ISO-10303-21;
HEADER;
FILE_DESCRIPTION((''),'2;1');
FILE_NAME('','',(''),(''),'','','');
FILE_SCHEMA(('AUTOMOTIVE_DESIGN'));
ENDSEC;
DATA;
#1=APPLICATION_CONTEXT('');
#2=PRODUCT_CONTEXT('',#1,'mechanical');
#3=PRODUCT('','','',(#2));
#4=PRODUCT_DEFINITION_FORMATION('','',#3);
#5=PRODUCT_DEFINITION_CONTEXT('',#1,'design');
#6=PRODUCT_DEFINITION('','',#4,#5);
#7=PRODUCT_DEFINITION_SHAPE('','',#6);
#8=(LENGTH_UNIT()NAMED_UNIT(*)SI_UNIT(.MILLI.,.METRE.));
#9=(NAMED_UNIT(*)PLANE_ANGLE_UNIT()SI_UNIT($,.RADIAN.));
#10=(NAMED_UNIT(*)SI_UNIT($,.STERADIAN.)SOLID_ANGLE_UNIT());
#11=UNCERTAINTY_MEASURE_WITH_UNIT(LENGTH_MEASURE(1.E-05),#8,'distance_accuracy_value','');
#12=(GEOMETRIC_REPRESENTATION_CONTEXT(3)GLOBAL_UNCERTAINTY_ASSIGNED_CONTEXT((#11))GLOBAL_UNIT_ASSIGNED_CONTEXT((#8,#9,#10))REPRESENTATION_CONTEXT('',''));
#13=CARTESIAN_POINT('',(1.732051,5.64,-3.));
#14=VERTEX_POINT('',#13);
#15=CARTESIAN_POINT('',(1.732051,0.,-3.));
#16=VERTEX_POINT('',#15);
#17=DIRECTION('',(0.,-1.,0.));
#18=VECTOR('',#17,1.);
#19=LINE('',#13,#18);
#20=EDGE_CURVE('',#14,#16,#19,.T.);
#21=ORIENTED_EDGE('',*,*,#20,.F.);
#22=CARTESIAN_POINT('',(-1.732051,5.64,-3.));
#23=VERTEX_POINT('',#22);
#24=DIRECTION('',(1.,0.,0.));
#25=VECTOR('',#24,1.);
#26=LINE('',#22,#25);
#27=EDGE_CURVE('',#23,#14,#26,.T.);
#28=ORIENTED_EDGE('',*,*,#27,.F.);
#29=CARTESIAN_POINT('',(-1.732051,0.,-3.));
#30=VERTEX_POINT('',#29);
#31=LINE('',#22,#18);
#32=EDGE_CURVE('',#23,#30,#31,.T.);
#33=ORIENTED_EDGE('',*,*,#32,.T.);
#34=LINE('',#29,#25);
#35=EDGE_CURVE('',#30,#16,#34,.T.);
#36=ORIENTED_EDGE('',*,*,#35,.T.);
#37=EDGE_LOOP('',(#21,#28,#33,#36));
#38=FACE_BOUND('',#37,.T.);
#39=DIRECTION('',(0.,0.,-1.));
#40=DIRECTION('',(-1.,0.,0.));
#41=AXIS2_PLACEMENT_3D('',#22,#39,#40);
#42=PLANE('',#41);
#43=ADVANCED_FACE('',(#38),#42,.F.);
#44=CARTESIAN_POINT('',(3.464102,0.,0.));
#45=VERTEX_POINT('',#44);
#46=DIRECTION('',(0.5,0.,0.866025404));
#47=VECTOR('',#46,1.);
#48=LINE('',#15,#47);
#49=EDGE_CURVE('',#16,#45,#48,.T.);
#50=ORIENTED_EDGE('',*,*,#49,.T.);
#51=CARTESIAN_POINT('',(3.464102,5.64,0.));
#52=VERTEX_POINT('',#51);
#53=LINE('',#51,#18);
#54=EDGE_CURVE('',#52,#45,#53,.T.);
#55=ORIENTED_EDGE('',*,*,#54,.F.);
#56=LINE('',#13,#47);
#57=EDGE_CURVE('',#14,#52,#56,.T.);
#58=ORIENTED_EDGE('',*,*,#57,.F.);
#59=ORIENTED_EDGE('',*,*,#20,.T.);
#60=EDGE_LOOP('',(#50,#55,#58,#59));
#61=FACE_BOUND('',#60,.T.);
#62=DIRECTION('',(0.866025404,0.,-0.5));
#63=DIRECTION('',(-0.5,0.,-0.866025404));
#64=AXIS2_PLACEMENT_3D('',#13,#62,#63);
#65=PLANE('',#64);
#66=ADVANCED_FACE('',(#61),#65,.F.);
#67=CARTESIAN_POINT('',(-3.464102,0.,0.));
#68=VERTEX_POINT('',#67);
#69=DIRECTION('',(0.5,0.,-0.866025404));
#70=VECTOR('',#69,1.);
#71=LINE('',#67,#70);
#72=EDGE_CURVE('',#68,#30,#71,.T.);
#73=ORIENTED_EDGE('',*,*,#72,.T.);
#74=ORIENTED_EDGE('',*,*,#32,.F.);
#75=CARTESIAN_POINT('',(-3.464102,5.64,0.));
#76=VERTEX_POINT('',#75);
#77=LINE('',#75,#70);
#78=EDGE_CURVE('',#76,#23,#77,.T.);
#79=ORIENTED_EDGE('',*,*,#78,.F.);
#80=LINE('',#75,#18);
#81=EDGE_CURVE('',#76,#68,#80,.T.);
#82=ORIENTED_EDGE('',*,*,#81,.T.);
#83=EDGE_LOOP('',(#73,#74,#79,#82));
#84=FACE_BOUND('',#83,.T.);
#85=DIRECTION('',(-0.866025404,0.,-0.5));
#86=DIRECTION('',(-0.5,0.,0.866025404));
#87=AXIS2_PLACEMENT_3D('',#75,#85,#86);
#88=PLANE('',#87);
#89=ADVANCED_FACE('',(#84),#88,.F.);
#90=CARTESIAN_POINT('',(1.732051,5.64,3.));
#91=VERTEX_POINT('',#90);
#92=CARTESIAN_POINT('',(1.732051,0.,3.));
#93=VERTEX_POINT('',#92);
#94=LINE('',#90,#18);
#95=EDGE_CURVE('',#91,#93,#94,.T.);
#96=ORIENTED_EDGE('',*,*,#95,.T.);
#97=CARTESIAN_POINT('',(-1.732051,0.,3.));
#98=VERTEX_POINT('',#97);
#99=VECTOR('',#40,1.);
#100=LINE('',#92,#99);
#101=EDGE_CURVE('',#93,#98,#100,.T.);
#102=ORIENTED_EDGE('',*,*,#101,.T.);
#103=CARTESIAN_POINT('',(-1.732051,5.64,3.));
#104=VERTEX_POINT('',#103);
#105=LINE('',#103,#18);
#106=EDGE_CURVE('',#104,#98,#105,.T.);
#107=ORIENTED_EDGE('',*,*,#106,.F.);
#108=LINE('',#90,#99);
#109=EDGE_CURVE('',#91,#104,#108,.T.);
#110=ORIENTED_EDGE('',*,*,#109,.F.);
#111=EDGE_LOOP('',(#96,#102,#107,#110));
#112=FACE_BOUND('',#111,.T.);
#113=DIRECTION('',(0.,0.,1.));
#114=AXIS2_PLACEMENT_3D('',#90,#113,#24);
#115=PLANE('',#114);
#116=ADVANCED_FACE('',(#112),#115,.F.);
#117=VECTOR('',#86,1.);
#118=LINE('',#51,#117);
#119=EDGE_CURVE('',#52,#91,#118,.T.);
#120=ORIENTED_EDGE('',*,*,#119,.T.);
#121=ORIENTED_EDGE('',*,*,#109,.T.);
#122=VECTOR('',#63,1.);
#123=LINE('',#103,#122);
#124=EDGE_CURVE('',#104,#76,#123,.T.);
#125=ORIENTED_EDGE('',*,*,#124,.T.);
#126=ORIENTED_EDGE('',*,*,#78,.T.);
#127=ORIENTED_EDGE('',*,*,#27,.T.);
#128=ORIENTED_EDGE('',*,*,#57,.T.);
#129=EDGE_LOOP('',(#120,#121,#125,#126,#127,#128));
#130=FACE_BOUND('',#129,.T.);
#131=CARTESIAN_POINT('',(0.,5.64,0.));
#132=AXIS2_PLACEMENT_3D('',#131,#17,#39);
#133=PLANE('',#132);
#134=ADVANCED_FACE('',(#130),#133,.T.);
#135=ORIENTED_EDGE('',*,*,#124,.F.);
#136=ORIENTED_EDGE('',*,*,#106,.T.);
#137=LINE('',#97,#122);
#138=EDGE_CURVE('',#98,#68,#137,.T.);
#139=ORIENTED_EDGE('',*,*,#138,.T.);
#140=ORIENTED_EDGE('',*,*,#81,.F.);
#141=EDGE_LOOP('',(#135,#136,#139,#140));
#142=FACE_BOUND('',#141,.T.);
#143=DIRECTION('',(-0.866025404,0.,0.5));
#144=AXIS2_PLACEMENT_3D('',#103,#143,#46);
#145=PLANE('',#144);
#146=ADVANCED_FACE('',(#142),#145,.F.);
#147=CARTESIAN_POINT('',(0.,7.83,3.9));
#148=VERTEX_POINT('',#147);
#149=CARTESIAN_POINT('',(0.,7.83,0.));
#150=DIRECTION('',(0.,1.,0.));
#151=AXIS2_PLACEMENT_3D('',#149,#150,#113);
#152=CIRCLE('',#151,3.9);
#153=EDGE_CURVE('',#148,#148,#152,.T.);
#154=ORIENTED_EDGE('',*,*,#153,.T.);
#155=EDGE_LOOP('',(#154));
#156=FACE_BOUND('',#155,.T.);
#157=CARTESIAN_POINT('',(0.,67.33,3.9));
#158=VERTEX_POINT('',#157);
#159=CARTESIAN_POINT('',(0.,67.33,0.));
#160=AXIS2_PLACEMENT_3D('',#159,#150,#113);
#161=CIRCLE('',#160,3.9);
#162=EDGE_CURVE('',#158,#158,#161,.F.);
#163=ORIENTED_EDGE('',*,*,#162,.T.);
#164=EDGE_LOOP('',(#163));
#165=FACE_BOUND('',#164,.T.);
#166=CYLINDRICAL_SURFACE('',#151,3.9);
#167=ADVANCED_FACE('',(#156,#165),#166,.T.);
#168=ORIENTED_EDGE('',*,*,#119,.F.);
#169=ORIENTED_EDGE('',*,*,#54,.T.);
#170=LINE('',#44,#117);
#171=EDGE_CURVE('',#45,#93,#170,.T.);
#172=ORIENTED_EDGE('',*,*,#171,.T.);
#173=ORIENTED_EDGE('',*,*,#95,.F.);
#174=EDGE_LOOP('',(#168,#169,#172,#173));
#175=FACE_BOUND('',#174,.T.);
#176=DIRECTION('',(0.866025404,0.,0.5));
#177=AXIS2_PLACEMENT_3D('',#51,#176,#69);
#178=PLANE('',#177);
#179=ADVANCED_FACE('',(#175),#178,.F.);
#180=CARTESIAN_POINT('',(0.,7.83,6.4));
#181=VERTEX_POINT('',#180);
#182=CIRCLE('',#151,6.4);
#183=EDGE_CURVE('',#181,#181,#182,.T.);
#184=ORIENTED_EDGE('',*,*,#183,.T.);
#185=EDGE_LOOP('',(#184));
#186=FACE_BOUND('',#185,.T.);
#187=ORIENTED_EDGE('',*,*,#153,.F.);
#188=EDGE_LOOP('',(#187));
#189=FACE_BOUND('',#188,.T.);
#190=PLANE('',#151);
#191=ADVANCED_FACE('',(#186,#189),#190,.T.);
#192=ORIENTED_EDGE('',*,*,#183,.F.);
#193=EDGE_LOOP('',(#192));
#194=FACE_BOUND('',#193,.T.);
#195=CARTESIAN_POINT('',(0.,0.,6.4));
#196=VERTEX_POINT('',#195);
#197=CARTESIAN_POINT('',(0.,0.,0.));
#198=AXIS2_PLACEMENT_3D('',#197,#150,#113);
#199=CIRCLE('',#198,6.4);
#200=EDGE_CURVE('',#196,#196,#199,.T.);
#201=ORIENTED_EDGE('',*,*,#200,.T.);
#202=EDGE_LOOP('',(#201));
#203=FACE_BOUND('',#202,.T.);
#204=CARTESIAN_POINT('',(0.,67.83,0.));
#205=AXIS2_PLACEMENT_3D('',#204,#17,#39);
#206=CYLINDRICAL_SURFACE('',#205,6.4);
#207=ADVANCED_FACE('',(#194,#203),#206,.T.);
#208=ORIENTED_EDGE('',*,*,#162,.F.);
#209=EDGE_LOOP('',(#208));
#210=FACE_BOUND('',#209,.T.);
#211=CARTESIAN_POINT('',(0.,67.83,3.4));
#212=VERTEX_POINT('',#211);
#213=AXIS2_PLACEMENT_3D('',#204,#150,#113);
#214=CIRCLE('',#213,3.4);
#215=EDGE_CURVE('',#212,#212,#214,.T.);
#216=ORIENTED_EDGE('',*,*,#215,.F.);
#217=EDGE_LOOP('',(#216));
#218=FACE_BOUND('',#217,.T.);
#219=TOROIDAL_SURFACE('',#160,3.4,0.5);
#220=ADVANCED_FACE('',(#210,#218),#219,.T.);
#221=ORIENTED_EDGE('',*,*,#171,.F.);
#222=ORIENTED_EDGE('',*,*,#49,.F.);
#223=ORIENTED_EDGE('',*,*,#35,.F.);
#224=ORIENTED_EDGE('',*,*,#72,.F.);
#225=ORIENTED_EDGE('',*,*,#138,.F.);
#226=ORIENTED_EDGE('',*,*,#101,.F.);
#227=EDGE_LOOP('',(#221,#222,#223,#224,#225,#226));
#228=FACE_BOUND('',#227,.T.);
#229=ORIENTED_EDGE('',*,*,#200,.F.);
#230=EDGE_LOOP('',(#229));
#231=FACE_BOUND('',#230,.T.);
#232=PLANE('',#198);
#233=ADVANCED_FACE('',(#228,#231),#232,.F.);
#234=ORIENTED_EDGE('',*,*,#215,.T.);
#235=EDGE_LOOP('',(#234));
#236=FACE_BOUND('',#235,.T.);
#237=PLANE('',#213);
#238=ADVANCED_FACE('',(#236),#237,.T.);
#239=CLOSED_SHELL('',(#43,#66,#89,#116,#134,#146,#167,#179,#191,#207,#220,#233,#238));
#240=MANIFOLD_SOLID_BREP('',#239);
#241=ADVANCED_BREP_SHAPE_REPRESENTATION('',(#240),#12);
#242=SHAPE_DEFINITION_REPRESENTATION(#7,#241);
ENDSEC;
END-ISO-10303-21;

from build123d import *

# Parameters (mm, degrees)
SKETCH1_R           = 6.4
BOSS_EXTRUDE1_DEPTH = 67.83
SKETCH2_OUTSIDE_W   = 28.84
SKETCH2_OUTSIDE_H   = 28.84
SKETCH2_OUTSIDE_R   = 3.9
CUT_EXTRUDE1_DEPTH  = 60
CUT_EXTRUDE2_DEPTH  = 5.64
FILLET1_R           = 0.5


with BuildPart() as part:
    # Sketch1 → Boss-Extrude1 (new body)
    with BuildSketch(Plane(origin=(0, 0, 0), x_dir=(1, 0, 0), z_dir=(0, 1, 0))):
        Circle(SKETCH1_R)
    extrude(amount=BOSS_EXTRUDE1_DEPTH)

    # Sketch2 outside → Cut-Extrude1 (cut)
    with BuildSketch(Plane(origin=(0, 67.83, 0), x_dir=(1, 0, 0), z_dir=(0, 1, 0))):
        Rectangle(SKETCH2_OUTSIDE_W, SKETCH2_OUTSIDE_H)
        Circle(SKETCH2_OUTSIDE_R, mode=Mode.SUBTRACT)
    extrude(amount=-CUT_EXTRUDE1_DEPTH, mode=Mode.SUBTRACT)

    # Sketch8 → Cut-Extrude2 (cut)
    with BuildSketch(Plane.XZ):
        Polygon((3.464101615, 0), (1.732050808, 3), (-1.732050808, 3), (-3.464101615, 0), (-1.732050808, -3), (1.732050808, -3), align=None)
    extrude(amount=-CUT_EXTRUDE2_DEPTH, mode=Mode.SUBTRACT)

    # Fillet1
    fillet1_edges = [part.edges().sort_by_distance(p)[0] for p in [
        (-3.9, 67.83, 0),
    ]]
    fillet(fillet1_edges, radius=FILLET1_R)


solid = part.part
